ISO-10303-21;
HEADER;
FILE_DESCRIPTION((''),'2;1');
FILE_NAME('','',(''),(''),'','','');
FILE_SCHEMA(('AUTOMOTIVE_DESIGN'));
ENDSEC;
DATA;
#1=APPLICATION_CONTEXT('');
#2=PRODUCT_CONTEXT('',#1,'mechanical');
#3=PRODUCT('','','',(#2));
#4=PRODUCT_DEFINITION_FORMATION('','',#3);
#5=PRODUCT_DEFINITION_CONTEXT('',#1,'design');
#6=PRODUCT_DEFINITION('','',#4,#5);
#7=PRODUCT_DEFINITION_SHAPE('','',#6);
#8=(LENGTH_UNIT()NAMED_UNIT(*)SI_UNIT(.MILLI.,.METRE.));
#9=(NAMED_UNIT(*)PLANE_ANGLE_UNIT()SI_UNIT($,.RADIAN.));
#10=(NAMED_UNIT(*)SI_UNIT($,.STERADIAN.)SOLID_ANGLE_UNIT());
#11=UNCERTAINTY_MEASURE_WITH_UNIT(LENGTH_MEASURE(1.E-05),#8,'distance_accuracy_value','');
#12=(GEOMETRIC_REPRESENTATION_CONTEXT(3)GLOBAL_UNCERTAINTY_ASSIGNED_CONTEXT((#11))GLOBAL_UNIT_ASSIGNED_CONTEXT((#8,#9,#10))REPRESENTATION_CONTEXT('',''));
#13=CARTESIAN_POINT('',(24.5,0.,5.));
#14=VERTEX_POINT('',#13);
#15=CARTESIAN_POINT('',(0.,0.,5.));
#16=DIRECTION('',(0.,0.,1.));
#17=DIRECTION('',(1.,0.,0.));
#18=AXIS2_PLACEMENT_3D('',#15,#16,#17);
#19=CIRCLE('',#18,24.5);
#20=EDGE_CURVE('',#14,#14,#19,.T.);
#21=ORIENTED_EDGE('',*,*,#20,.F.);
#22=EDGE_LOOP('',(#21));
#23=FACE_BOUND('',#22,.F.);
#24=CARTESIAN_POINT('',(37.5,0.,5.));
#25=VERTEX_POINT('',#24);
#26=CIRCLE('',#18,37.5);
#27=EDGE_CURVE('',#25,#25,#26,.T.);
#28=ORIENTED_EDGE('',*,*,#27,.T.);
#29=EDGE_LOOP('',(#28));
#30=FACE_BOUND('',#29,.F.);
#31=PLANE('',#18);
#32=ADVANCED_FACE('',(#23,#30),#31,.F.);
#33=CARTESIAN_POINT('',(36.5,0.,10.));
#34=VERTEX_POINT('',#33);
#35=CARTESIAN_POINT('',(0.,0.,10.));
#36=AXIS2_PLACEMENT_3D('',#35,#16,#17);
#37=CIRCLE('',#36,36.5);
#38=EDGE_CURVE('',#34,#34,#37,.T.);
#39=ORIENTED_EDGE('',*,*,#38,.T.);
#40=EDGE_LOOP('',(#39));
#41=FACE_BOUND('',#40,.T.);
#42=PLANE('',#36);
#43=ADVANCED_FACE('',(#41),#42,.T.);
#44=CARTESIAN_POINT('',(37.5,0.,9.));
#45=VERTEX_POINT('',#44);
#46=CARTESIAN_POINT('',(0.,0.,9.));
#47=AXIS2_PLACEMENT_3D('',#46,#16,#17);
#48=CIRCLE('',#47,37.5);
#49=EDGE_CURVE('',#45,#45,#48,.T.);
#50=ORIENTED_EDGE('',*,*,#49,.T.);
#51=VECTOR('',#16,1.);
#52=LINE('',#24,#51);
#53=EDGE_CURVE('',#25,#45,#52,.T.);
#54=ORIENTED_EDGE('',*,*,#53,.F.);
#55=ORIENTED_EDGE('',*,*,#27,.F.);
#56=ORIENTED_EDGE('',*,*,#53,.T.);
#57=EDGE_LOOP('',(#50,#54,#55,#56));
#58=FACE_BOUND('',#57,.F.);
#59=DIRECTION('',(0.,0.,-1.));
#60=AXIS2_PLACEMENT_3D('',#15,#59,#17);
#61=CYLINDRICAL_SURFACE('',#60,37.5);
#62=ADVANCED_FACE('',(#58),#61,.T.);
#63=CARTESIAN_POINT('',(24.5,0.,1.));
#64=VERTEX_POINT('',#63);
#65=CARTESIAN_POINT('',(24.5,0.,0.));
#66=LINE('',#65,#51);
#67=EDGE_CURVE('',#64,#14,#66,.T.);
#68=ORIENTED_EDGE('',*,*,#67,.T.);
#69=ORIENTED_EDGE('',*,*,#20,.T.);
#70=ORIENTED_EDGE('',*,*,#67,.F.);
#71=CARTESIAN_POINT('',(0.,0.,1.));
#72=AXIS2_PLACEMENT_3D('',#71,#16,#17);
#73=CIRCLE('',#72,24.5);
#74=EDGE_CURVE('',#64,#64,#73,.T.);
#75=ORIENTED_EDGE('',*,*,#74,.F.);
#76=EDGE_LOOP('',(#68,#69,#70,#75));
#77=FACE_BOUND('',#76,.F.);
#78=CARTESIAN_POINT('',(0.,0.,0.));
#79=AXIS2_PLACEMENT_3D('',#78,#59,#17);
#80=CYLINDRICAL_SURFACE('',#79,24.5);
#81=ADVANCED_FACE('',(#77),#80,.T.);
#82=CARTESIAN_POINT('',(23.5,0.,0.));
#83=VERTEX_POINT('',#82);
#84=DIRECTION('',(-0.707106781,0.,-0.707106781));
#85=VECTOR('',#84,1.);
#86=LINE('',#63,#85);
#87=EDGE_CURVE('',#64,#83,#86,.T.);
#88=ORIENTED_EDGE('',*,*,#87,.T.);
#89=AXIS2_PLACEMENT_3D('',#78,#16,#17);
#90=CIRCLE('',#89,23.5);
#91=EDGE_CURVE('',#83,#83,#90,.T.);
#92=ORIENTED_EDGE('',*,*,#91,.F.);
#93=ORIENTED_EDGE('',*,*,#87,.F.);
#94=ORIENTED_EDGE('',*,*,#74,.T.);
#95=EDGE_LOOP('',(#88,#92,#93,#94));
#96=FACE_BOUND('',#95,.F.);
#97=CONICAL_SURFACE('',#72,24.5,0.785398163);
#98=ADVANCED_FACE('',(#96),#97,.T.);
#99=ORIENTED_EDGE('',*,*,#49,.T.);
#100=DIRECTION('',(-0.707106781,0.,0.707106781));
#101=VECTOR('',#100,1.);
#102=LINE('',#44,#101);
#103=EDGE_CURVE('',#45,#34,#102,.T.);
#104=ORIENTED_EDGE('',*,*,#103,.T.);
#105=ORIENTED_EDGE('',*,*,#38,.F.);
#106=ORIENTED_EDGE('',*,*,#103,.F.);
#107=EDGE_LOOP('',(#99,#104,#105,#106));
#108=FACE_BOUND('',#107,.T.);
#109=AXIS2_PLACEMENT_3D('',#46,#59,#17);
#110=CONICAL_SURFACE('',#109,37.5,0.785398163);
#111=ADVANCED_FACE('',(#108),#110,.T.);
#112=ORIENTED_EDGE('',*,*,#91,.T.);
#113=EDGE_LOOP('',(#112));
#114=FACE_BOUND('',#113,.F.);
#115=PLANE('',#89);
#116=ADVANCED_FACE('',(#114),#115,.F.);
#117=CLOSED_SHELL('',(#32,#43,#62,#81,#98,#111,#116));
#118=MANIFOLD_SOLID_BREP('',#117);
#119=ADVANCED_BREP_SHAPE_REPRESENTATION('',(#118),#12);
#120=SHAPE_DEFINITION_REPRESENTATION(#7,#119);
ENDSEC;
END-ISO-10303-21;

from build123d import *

# Parameters (mm, degrees)
F0_R     = 24.5
F1_DEPTH = 5
F2_R     = 37.5
F2_R_2   = 24.5
F3_DEPTH = 5
F4_SIZE  = 1
F5_SIZE  = 1


with BuildPart() as f1:
    # F0 (on Top) → F1 (new body)
    with BuildSketch(Plane.XY):
        Circle(F0_R)
    extrude(amount=F1_DEPTH)

    # F2 (on face) → F3 (join)
    with BuildSketch(Plane.XY.offset(5)):
        Circle(F2_R)
        Circle(F2_R_2, mode=Mode.SUBTRACT)
        Circle(F2_R_2)
    extrude(amount=F3_DEPTH)

    # F4
    f4_edges = [f1.edges().sort_by_distance(p)[0] for p in [
        (-37.5, 0, 10),
    ]]
    chamfer(f4_edges, length=F4_SIZE)

    # F5
    f5_edges = [f1.edges().sort_by_distance(p)[0] for p in [
        (-24.5, 0, 0),
    ]]
    chamfer(f5_edges, length=F5_SIZE)


solid = f1.part
